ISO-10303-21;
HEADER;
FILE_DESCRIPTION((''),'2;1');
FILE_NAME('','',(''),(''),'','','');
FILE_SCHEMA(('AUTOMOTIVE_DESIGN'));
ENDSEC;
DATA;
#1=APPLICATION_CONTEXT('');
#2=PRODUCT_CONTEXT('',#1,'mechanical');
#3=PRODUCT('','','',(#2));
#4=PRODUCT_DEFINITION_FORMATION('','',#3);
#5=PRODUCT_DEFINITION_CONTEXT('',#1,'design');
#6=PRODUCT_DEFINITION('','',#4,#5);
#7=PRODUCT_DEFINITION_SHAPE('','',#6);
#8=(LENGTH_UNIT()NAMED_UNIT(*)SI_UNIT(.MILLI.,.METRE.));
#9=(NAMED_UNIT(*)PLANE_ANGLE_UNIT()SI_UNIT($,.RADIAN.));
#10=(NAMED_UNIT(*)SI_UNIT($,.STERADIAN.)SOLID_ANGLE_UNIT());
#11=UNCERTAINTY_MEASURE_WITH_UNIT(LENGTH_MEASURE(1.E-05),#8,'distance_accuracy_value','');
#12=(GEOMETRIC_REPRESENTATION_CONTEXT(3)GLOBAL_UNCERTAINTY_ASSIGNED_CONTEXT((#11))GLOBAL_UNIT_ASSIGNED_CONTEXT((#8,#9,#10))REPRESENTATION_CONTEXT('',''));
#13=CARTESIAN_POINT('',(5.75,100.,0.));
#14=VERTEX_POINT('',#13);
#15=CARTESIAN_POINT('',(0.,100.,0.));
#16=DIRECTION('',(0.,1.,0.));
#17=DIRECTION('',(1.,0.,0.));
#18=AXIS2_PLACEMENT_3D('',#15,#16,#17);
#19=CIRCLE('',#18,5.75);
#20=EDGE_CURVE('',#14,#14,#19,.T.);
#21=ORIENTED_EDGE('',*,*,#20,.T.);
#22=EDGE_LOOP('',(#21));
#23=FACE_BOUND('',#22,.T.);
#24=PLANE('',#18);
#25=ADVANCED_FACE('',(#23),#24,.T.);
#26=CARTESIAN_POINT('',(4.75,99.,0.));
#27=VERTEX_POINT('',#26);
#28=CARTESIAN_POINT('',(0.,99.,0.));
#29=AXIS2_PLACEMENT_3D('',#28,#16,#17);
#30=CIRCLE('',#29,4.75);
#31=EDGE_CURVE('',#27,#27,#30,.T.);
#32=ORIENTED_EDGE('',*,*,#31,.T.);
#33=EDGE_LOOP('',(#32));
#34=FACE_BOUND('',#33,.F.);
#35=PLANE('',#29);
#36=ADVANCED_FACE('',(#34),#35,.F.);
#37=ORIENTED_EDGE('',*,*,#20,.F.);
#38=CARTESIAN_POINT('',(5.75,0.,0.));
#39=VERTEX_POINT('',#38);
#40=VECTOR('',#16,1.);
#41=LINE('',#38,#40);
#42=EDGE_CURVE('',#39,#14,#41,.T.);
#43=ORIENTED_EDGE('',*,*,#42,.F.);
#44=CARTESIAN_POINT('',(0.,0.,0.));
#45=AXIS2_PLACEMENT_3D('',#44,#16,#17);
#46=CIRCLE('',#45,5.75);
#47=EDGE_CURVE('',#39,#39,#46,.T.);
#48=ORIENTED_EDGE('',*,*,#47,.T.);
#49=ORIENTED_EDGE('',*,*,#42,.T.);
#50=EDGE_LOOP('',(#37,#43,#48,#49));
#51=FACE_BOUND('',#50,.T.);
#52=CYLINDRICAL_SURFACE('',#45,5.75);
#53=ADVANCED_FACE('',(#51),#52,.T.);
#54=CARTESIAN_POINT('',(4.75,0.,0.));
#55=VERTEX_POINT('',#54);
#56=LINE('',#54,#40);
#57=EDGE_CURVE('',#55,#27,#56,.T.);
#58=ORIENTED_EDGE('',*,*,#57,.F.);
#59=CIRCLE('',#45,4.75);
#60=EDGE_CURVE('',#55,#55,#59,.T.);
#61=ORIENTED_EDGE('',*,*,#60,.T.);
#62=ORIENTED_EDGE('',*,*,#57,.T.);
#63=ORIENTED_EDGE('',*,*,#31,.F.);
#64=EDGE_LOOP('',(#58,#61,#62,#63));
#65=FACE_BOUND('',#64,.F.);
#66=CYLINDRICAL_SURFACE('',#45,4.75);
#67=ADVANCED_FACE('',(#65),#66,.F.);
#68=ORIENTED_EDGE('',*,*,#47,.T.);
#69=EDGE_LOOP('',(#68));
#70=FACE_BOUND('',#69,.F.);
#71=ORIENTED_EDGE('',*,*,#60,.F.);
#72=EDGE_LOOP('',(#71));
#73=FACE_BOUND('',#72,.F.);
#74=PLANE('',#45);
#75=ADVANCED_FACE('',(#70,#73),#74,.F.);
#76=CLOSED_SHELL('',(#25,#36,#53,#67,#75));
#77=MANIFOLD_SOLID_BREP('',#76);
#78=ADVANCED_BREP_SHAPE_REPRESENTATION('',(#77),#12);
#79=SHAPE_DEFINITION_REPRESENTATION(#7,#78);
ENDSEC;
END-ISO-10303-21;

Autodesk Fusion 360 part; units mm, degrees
cylinder "CylinderPrimitive1" add diameter 11.5 height 100 placed x (1, 0, 0) y (0, 0, -1) z (0, 1, 0) at (0, 0, 0)
shell "Shell1" thickness 1 removed faces 1 at (-0.9583, 0, -0.9474)
